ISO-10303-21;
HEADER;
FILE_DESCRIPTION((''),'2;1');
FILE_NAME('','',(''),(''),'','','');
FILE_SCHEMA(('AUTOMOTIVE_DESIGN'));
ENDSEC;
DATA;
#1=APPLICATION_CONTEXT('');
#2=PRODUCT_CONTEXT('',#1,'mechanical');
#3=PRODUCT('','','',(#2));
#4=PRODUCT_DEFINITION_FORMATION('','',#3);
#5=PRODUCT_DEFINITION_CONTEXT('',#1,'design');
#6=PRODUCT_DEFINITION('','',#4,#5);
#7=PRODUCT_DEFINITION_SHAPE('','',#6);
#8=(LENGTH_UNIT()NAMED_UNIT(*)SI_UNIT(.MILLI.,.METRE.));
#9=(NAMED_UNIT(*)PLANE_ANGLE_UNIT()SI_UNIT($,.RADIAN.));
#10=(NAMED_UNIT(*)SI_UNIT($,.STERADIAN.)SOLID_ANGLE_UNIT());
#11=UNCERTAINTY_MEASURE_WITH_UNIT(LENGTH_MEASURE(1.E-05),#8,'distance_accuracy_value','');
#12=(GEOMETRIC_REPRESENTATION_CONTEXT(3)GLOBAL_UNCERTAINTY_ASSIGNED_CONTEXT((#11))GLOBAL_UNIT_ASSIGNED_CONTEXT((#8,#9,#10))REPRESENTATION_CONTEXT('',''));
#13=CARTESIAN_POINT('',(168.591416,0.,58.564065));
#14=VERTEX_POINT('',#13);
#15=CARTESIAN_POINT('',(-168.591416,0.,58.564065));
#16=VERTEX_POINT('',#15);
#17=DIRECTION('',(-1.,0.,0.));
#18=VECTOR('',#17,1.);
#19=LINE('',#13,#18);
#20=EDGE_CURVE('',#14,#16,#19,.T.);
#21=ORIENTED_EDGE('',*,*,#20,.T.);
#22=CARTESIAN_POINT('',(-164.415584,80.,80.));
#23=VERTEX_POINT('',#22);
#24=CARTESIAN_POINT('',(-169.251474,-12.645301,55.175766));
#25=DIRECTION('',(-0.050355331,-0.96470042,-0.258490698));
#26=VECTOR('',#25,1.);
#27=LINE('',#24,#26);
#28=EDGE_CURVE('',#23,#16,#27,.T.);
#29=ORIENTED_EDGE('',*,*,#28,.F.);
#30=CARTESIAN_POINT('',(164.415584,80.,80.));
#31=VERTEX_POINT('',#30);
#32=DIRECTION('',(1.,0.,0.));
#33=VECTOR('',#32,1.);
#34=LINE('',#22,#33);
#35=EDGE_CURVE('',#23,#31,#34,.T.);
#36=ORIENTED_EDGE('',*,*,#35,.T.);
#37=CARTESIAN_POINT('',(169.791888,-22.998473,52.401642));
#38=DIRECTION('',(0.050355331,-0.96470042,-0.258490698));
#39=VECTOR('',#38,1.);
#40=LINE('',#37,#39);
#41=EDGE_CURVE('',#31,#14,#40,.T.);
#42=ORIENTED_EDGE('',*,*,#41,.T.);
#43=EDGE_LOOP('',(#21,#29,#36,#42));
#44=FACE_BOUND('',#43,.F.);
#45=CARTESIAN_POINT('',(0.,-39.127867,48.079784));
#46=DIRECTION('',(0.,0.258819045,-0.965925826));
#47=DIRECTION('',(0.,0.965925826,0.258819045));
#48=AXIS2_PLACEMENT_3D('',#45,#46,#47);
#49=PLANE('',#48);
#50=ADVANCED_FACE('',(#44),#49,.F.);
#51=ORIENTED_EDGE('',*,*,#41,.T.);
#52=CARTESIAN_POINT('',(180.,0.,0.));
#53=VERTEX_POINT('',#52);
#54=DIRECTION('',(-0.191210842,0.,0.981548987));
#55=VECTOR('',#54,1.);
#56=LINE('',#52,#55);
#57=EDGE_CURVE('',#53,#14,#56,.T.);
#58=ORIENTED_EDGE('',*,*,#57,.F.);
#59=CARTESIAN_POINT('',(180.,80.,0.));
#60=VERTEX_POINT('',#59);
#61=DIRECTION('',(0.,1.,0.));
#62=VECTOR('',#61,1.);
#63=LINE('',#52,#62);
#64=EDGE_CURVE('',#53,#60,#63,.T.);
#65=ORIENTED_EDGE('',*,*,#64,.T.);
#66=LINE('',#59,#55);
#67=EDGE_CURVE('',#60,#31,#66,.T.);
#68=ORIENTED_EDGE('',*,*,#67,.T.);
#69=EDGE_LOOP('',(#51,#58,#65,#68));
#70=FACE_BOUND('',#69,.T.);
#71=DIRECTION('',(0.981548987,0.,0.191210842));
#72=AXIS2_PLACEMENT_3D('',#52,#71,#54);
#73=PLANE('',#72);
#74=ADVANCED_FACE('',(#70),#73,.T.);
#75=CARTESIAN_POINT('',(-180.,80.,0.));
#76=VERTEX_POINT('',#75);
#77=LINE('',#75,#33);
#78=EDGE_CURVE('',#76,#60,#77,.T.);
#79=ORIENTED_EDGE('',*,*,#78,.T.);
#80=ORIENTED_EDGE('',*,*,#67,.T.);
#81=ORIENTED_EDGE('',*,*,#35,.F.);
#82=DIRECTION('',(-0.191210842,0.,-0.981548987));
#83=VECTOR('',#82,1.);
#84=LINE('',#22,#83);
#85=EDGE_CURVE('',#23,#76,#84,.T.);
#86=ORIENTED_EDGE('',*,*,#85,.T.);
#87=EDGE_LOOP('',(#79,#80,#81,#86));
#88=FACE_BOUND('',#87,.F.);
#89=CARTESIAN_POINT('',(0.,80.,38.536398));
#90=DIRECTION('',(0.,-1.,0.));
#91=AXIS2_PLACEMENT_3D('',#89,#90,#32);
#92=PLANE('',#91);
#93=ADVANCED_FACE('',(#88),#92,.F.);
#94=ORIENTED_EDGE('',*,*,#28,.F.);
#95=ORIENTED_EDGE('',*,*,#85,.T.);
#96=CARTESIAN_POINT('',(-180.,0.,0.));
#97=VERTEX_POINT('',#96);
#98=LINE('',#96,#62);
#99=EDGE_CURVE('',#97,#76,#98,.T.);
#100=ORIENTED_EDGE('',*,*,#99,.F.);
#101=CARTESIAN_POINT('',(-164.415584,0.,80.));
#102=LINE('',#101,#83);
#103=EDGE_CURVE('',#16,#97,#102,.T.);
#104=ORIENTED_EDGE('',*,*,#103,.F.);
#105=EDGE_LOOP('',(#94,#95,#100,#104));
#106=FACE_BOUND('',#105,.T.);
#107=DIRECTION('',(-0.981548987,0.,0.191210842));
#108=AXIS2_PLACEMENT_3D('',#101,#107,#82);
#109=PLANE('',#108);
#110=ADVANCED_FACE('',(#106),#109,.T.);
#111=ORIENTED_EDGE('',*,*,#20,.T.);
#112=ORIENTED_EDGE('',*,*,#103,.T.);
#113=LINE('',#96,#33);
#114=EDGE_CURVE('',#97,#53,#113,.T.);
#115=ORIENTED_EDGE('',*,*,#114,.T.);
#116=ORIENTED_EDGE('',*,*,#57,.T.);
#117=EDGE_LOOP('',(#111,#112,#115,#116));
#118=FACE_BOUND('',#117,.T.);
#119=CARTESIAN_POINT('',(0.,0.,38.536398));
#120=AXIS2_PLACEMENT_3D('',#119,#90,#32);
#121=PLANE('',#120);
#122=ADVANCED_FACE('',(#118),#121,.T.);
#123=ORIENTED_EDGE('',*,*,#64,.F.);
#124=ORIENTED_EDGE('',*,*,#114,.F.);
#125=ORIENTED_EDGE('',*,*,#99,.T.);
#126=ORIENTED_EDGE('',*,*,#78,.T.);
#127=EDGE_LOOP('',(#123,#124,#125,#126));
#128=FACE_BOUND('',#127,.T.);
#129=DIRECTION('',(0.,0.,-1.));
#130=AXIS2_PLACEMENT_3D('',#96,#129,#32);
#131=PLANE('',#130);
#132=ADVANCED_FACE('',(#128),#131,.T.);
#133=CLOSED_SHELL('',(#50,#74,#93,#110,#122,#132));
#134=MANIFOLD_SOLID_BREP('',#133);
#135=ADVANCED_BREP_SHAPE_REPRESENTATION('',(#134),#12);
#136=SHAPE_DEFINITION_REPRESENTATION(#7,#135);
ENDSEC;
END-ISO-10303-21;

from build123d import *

# Parameters (mm, degrees)
F1_DEPTH      = 80
F3_DEPTH      = 200
F3_DEPTH_BACK = 200


with BuildPart() as f1:
    # F0 (on Front) → F1 (new body)
    with BuildSketch(Plane.XZ):
        Polygon((-180, 0), (0, 0), (180, 0), (164.415584363, 80), (0, 80), (-164.415584363, 80), align=None)
    extrude(amount=-F1_DEPTH)

    # F2 (on Right) → F3 (cut, two sides)
    with BuildSketch(Plane.YZ) as f3_sk:
        Polygon((-39.1278674848, 48.0797841114), (80, 80), (0, 80), (-39.1278674848, 80), align=None)
    extrude(amount=-F3_DEPTH, mode=Mode.SUBTRACT)
    extrude(f3_sk.sketch, amount=F3_DEPTH_BACK, mode=Mode.SUBTRACT)


solid = f1.part
